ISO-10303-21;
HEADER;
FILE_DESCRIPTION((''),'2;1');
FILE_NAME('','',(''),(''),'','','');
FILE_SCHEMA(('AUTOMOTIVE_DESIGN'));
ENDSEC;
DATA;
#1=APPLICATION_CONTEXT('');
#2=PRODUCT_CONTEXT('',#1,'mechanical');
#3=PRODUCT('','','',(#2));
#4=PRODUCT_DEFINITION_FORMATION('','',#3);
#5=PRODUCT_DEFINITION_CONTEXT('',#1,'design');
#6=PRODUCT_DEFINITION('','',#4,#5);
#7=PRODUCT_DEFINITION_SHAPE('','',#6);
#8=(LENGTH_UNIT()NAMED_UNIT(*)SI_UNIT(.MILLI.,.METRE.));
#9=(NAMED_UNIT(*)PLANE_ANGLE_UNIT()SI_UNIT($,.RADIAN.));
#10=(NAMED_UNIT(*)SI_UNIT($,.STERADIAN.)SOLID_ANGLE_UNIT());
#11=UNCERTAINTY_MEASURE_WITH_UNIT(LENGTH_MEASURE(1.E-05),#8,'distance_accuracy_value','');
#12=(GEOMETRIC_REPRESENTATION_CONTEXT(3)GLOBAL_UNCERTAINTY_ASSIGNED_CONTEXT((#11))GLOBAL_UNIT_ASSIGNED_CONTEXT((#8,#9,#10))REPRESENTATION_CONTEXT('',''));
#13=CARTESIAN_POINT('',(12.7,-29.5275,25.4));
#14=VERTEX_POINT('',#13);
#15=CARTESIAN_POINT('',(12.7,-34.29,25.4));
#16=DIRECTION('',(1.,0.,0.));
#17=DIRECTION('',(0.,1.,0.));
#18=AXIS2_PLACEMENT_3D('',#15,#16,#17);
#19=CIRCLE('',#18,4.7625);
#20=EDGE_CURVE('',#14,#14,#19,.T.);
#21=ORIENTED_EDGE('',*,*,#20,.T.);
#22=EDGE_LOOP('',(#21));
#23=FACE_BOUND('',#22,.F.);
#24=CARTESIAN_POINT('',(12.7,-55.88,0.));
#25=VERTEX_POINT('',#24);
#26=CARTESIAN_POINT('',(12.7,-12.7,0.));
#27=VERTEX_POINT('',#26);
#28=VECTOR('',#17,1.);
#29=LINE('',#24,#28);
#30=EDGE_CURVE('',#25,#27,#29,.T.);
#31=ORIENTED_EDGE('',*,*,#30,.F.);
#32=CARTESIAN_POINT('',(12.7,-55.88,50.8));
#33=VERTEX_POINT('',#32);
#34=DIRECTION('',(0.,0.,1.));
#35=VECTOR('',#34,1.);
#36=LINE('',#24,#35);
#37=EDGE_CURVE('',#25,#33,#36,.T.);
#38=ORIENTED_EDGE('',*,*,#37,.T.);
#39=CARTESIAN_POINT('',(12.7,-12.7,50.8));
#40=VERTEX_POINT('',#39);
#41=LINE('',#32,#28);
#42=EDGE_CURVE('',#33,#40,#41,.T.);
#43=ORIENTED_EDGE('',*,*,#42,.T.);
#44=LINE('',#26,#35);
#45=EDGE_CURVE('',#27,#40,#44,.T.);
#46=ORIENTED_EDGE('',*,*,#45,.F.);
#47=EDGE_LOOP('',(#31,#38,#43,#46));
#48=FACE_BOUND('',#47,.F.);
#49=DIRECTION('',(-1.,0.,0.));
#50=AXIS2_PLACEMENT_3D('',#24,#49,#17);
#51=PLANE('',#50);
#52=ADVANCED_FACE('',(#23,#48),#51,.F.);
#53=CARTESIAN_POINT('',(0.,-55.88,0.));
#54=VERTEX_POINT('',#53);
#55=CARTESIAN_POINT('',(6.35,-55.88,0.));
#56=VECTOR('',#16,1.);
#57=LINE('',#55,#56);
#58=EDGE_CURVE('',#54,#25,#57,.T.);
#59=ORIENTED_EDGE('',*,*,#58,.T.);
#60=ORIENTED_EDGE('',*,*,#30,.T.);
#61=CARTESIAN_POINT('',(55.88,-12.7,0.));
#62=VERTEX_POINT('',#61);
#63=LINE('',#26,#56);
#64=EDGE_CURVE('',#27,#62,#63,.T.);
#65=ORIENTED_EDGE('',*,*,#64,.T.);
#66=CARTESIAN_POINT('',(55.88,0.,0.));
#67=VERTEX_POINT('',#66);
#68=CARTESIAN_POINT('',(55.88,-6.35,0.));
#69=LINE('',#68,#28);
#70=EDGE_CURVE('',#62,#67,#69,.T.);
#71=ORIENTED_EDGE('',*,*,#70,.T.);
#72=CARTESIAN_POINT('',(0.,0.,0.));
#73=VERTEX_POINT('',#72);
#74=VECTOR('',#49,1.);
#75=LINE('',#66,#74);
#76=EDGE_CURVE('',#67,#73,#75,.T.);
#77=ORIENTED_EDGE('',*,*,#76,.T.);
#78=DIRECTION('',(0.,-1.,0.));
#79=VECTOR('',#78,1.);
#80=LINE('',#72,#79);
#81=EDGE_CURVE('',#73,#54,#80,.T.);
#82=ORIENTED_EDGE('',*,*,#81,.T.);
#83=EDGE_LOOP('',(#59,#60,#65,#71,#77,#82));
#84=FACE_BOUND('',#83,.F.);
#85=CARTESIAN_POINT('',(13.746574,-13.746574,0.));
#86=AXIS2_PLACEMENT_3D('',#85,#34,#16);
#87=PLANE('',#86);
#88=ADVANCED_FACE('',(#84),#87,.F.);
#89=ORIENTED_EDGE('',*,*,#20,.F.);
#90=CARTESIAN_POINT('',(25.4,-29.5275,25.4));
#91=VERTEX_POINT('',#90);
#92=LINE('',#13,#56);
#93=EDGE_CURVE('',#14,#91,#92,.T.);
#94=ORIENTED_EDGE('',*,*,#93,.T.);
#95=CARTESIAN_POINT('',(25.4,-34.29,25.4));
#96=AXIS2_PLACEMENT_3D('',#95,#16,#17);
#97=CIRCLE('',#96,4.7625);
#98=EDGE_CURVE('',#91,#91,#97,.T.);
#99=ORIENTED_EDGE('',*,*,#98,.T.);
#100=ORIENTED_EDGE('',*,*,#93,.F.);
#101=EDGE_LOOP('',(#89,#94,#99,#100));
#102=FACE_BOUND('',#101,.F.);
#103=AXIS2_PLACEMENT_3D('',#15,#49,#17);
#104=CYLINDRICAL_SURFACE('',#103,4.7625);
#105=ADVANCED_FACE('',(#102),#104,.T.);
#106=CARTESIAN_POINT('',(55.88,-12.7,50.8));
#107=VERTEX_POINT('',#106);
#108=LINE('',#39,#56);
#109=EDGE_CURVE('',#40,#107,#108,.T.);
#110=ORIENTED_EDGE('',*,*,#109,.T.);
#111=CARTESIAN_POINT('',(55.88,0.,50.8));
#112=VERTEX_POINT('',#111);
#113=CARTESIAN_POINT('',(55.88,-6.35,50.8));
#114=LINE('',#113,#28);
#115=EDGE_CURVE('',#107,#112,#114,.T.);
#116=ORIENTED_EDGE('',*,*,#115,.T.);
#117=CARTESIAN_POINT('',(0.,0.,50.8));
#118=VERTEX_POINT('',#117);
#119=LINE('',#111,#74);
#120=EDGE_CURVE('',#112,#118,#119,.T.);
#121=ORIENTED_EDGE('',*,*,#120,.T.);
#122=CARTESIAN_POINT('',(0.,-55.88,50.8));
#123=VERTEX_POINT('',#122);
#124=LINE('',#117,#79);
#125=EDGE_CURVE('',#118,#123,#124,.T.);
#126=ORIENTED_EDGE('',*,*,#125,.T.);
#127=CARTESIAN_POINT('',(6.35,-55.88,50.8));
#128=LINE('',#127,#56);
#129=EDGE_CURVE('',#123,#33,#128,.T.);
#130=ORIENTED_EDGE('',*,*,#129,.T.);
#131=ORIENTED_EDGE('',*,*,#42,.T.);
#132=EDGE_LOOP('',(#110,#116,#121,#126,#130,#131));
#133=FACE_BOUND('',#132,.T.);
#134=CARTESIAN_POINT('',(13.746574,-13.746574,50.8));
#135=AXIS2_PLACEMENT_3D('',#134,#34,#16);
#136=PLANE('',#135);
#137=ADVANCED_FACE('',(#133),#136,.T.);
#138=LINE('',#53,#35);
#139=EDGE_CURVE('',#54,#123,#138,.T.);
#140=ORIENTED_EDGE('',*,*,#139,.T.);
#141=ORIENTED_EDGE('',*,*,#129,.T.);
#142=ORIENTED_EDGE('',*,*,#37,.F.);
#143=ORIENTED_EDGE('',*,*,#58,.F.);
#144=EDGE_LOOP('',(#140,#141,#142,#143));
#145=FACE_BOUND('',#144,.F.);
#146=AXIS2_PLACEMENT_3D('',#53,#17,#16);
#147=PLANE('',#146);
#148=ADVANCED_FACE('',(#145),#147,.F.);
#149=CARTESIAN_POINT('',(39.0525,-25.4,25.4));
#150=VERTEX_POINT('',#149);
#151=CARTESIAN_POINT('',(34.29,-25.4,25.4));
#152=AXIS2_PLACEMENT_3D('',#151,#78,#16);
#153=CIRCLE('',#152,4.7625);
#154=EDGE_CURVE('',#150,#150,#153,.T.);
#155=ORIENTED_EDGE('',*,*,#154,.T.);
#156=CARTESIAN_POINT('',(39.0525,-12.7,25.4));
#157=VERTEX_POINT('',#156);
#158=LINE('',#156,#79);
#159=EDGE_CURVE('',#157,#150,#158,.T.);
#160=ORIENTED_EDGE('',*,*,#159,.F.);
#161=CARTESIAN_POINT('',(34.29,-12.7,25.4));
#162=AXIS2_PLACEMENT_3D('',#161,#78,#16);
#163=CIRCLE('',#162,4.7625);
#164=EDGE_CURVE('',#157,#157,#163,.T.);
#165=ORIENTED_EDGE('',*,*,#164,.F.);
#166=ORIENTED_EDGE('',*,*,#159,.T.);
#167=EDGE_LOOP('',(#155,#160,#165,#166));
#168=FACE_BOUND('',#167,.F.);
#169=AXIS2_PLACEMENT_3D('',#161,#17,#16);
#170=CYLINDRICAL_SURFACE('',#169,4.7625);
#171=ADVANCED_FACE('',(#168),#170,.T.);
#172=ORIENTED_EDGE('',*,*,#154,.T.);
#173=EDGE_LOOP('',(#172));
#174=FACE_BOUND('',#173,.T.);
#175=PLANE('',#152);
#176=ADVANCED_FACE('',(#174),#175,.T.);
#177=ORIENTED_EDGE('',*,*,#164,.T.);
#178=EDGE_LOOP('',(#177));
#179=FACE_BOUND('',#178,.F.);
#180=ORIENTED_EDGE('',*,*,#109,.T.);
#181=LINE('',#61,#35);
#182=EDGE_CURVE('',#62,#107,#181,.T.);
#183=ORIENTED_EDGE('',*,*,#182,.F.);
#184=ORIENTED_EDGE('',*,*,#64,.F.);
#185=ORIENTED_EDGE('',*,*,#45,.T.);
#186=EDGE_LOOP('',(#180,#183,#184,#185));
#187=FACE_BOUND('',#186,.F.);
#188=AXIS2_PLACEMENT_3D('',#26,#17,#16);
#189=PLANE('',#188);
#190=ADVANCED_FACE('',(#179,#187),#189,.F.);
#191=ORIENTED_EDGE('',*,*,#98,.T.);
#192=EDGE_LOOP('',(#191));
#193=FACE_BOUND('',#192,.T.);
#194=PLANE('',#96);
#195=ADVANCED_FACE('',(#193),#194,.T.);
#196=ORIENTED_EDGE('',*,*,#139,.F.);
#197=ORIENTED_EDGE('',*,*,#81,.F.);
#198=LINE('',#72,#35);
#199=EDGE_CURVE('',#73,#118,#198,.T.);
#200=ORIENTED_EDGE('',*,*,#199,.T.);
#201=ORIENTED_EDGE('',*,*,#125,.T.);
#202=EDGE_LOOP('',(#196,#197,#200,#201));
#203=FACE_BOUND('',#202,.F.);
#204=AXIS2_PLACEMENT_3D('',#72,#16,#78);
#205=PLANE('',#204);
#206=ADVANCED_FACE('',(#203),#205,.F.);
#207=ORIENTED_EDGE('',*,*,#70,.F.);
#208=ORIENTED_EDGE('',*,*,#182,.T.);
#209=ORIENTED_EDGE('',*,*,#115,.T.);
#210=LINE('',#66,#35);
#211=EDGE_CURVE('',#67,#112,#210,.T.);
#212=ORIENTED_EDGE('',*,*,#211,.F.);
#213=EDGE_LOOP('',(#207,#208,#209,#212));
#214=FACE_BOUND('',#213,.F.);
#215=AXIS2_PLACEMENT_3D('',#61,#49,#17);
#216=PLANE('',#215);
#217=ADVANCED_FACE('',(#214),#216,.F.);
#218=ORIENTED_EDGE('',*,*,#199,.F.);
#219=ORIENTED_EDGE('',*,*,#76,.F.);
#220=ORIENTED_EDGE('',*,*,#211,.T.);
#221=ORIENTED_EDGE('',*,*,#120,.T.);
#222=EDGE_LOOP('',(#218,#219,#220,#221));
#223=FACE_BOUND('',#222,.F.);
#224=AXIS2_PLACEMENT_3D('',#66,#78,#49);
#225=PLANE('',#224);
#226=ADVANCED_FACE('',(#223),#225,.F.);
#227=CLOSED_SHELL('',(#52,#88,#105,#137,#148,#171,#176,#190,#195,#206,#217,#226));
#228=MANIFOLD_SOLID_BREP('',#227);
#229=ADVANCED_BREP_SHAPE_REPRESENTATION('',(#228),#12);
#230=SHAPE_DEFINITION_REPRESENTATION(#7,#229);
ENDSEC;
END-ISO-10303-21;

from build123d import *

# Parameters (mm, degrees)
F0_W     = 12.7
F0_H     = 21.59
F0_W_2   = 21.59
F0_H_2   = 12.7
F1_DEPTH = 50.8
F2_R     = 4.7625
F3_DEPTH = 12.7
F4_R     = 4.7625
F5_DEPTH = 12.7


with BuildPart() as f1:
    # F0 (on Top) → F1 (new body)
    with BuildSketch(Plane.XY):
        Polygon((34.29, 0), (0, 0), (0, -34.29), (12.7, -34.29), (12.7, -12.7), (34.29, -12.7), align=None)
        with Locations((6.35, -45.085)):
            Rectangle(F0_W, F0_H)
        with Locations((45.085, -6.35)):
            Rectangle(F0_W_2, F0_H_2)
    extrude(amount=F1_DEPTH)

    # F2 (on face) → F3 (join)
    with BuildSketch(Plane.XZ.offset(12.7)):
        with Locations((34.29, 25.4)):
            Circle(F2_R)
    extrude(amount=F3_DEPTH)

    # F4 (on face) → F5 (join)
    with BuildSketch(Plane.YZ.offset(12.7)):
        with Locations((-34.29, 25.4)):
            Circle(F4_R)
    extrude(amount=F5_DEPTH)


solid = f1.part
